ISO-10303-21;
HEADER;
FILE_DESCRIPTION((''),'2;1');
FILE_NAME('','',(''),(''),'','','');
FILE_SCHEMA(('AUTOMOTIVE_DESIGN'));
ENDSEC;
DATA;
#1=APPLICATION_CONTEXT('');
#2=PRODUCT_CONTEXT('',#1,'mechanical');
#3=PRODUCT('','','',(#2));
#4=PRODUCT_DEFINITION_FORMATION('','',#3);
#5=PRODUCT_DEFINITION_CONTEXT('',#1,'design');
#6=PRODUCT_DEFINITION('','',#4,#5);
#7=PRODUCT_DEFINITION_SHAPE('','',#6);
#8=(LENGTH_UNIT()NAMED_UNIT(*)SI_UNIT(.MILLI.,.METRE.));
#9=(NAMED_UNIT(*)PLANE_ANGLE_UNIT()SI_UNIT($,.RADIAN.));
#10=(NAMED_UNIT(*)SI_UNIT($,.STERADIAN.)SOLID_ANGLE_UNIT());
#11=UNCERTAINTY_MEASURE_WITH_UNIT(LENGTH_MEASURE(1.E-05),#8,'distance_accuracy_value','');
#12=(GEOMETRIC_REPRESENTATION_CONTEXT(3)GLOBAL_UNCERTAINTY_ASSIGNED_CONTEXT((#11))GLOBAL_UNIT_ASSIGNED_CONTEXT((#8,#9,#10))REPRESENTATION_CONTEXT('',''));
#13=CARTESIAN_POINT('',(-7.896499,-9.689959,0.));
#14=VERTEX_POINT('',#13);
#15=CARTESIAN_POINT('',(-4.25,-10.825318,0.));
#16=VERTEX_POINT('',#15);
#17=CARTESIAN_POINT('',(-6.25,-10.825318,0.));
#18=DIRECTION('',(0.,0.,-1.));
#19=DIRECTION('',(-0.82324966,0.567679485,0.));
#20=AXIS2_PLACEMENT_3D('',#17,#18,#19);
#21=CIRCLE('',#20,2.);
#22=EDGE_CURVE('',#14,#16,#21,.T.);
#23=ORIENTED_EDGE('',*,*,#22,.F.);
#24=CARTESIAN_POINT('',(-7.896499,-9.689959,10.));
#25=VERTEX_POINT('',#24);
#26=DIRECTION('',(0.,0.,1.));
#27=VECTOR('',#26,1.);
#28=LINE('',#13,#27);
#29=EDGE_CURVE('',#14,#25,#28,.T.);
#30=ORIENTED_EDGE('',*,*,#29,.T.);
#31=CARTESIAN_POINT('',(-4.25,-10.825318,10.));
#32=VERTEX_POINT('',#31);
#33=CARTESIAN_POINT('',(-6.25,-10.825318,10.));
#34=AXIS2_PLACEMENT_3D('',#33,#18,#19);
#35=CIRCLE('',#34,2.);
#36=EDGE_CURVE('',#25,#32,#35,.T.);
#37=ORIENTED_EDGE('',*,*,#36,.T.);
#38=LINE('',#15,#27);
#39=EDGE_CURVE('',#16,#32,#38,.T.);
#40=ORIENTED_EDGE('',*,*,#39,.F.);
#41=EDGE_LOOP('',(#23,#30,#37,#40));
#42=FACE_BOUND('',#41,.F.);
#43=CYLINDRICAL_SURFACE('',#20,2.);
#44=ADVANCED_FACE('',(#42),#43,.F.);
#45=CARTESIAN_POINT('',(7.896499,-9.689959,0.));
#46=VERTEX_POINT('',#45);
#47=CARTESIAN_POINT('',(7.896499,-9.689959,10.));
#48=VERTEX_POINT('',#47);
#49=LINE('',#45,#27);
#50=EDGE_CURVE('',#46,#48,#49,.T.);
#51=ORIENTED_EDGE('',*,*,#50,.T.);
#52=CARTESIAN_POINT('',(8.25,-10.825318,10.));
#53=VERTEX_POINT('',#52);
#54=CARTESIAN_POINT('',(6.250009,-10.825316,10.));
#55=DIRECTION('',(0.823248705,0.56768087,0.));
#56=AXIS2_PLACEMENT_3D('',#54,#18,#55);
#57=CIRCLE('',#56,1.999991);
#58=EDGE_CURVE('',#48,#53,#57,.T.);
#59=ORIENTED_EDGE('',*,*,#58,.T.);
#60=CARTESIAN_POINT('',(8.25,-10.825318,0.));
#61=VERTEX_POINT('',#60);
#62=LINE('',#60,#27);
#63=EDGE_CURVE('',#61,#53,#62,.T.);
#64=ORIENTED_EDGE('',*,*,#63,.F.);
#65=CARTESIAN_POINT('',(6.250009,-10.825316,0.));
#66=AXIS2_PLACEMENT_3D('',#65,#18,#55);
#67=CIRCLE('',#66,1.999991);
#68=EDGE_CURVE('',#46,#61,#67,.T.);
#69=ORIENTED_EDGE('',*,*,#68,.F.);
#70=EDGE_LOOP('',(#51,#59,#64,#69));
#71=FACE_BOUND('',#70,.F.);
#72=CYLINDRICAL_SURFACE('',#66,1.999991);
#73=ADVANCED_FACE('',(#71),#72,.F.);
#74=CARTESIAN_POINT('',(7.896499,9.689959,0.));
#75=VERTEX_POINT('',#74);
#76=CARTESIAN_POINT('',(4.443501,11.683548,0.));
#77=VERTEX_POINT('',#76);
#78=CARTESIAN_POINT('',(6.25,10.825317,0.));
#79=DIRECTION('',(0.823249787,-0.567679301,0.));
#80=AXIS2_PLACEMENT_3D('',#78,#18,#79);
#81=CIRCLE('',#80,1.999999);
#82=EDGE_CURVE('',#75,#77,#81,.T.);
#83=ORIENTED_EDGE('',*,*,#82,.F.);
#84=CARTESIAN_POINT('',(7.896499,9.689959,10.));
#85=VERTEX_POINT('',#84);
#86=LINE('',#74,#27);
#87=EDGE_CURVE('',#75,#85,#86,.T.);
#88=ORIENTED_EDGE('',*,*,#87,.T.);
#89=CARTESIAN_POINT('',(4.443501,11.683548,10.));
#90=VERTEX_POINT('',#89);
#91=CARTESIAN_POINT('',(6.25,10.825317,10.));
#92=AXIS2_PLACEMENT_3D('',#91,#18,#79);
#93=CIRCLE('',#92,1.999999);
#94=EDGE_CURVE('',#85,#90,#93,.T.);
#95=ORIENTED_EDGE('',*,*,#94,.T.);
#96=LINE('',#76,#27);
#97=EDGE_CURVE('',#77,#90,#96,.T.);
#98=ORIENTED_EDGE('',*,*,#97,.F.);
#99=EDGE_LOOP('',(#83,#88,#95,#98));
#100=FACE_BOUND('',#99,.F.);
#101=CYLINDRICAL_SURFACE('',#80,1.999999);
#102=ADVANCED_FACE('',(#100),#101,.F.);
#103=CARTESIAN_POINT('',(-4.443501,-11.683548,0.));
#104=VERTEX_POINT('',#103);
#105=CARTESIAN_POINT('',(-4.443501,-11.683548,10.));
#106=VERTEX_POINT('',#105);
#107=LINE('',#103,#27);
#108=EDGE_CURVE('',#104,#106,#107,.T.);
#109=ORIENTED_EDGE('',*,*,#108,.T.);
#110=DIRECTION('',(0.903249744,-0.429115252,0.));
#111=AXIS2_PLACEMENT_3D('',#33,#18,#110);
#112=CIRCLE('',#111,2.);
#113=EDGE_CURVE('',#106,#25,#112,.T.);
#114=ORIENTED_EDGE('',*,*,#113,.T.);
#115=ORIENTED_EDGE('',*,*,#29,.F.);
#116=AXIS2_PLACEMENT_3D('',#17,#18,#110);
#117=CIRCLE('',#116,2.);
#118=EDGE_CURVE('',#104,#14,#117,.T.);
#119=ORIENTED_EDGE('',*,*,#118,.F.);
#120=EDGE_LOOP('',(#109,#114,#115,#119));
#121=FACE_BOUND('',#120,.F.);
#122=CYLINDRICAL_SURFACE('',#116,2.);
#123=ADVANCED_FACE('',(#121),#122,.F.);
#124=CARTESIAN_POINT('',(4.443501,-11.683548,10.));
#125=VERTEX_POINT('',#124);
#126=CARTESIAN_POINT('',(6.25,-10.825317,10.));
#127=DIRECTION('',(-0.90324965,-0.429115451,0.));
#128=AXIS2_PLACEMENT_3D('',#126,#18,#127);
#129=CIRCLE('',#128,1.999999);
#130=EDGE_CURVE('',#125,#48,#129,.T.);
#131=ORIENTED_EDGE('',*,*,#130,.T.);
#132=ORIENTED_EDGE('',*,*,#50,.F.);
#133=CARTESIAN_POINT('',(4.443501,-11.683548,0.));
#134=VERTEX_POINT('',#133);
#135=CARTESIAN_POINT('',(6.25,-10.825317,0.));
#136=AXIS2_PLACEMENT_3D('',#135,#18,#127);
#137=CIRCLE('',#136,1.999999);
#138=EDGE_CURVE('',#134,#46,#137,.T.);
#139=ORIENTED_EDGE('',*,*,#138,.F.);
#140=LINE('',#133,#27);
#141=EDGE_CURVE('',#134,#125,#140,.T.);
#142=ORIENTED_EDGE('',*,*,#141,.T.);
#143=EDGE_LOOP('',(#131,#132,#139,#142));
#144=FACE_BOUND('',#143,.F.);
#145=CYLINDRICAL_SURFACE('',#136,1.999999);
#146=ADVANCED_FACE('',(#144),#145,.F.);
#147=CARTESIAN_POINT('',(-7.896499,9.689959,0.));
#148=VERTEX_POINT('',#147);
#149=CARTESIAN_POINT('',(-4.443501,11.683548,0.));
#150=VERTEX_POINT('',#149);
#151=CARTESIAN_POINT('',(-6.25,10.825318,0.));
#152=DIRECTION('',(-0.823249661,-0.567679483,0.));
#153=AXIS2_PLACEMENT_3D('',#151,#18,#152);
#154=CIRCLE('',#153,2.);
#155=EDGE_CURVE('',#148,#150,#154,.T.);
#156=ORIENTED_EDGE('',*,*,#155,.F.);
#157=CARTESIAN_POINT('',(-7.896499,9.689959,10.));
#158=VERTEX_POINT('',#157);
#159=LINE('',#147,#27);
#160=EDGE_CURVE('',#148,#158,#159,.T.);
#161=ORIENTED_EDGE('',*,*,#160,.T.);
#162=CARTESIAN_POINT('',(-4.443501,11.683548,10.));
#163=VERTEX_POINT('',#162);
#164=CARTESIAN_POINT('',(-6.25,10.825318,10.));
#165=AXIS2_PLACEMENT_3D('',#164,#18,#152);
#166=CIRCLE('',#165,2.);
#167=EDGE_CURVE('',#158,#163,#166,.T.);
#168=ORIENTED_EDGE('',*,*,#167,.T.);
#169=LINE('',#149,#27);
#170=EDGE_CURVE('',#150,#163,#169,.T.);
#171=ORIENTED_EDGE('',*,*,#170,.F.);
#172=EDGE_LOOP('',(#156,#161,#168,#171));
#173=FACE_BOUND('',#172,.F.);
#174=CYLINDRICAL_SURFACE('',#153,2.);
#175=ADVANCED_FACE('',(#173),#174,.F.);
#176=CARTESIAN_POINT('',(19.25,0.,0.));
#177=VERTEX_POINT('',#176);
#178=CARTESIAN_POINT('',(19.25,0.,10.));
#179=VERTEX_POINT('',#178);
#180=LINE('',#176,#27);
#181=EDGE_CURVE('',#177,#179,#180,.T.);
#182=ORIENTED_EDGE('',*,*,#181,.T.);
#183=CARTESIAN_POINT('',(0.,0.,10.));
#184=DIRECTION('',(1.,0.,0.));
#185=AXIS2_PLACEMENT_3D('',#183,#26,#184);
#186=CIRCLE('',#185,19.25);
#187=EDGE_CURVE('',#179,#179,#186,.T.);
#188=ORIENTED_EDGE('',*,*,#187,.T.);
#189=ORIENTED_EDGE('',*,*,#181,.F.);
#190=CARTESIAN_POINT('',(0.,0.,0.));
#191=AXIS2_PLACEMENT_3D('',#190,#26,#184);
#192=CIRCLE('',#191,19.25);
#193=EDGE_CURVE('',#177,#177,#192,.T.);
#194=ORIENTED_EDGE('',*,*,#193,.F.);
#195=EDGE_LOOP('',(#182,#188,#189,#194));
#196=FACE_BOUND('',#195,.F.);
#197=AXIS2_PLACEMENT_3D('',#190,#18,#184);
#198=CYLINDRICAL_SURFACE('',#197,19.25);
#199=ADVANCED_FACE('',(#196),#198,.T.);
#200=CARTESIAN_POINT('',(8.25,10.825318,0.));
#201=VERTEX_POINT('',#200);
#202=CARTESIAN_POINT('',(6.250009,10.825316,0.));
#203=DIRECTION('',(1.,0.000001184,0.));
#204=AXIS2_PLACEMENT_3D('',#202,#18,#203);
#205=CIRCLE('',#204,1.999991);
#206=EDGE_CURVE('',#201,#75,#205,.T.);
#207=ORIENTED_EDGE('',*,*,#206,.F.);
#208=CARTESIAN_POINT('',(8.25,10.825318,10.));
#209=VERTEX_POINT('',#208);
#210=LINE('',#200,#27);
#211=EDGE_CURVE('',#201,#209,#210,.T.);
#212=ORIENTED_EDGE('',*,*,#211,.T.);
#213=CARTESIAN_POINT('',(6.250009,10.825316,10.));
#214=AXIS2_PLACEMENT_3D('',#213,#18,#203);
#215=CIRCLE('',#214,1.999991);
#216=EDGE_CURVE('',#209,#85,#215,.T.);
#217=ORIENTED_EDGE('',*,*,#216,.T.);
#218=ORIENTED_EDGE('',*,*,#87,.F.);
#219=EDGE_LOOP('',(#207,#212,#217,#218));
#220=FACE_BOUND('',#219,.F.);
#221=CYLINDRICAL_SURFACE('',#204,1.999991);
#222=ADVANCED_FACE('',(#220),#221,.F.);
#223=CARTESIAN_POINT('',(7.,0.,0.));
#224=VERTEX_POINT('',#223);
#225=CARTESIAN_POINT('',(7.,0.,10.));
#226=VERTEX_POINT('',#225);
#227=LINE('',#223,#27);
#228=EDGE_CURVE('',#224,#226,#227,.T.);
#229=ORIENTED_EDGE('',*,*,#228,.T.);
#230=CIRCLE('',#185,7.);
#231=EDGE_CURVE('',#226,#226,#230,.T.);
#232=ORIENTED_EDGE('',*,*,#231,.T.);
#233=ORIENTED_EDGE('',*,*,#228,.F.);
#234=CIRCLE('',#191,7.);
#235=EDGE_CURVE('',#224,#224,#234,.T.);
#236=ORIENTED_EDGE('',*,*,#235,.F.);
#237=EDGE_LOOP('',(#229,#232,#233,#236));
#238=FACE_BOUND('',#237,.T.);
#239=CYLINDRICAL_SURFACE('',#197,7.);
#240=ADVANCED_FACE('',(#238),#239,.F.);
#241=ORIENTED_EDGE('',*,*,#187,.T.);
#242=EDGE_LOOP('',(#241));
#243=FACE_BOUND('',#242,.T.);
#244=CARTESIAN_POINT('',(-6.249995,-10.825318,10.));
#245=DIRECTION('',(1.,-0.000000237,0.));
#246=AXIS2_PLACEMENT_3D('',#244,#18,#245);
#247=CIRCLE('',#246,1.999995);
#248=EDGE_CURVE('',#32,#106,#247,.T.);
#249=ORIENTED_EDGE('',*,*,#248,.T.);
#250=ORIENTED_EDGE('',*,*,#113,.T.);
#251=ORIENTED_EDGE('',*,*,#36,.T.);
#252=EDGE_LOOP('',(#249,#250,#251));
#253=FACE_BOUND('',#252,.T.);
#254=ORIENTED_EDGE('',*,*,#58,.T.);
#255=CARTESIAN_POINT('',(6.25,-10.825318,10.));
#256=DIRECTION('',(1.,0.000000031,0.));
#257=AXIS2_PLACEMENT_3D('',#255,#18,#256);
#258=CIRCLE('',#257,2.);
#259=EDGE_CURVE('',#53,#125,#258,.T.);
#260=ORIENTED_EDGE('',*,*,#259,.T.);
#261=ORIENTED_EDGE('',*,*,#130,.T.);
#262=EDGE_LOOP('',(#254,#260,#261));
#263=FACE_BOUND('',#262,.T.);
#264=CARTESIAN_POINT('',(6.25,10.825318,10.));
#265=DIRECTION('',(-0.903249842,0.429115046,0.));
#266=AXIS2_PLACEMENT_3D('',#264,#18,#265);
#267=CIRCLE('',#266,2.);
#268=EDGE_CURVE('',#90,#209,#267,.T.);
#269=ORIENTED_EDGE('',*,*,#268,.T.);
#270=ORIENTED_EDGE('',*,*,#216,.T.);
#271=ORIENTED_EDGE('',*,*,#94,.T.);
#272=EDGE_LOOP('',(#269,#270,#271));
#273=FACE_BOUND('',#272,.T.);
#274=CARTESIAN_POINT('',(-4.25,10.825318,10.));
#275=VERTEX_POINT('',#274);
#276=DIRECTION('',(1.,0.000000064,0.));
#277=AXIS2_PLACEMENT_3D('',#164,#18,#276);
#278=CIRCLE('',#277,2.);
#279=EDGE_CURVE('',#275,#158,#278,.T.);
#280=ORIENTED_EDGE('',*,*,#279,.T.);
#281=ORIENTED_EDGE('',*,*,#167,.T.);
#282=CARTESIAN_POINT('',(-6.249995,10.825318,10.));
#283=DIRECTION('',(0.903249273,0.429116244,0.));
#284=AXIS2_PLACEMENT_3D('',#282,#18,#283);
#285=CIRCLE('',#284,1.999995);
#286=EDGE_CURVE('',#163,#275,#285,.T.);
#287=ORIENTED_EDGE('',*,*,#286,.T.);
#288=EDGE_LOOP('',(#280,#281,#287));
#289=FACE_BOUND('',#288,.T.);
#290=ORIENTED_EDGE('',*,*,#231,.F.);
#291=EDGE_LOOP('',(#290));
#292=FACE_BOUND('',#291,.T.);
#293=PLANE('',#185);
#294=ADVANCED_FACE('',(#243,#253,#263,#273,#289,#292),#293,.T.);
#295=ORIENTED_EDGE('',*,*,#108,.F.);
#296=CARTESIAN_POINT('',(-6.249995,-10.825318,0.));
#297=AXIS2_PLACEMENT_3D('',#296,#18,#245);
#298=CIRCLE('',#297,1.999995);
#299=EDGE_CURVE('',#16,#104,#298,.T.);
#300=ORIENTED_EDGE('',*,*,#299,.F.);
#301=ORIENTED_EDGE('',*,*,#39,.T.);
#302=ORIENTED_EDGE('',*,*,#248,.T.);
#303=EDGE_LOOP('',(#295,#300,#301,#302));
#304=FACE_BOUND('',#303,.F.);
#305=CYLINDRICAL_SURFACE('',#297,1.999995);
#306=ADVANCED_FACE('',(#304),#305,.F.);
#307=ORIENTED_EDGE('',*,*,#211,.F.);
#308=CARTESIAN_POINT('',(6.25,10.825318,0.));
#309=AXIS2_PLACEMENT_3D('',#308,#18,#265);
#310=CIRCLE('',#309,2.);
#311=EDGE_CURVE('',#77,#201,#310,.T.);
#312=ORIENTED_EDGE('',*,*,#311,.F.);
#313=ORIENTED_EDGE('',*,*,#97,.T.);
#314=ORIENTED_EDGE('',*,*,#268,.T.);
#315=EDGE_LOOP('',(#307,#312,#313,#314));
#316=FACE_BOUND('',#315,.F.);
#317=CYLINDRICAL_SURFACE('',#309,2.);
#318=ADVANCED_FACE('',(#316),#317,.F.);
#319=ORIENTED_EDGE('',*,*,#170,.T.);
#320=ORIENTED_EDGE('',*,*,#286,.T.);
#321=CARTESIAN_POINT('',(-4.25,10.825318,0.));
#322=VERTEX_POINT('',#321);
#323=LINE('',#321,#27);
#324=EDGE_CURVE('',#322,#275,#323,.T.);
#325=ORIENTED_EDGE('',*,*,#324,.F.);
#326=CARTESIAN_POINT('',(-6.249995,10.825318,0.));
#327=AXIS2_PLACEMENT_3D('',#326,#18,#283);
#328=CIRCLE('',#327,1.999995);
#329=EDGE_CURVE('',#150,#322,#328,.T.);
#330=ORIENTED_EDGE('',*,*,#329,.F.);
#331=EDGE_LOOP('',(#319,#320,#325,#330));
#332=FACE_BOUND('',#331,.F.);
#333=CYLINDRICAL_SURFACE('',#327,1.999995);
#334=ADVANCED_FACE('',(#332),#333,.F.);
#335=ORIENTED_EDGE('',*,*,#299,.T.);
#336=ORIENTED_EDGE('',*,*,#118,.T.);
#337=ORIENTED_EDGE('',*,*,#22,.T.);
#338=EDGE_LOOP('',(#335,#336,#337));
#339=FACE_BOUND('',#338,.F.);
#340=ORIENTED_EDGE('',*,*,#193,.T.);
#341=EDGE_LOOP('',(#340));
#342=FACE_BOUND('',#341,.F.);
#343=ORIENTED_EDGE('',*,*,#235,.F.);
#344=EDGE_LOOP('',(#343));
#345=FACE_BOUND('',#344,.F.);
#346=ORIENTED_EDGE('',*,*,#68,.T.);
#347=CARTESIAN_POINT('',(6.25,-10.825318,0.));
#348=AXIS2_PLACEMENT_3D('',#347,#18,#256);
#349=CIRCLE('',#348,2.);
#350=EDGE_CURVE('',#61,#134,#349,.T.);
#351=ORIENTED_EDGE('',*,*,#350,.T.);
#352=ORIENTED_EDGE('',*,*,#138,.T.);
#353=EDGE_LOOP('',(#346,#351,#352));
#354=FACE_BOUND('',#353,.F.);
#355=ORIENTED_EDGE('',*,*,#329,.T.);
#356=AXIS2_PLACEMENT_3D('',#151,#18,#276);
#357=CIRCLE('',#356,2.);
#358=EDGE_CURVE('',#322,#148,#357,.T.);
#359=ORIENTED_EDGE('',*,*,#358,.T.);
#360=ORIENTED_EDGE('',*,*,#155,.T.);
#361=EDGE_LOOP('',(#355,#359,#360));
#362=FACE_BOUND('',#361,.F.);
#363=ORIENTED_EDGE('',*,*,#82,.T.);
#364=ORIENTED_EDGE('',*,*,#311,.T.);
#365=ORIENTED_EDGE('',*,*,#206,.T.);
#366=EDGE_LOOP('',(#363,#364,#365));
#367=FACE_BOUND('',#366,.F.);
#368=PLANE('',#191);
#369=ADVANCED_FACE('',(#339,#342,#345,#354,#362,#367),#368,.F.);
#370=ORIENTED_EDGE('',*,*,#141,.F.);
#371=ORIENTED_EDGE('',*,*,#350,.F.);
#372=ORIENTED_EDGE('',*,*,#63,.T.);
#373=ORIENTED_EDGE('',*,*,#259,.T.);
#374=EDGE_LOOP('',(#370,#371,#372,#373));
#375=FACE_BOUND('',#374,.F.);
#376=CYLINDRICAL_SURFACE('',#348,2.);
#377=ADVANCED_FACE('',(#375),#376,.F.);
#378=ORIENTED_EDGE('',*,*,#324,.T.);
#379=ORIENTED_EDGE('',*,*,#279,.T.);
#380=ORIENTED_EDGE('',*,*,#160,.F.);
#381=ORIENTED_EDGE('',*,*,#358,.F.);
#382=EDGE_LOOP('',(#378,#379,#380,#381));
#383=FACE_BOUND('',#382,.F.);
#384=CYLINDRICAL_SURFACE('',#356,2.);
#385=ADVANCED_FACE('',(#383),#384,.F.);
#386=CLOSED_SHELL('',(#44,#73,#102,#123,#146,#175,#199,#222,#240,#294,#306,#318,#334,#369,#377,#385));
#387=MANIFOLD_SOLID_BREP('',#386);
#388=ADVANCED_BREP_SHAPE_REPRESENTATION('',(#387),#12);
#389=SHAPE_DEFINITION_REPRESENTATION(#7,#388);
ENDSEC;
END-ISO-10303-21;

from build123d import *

# Parameters (mm, degrees)
F0_R     = 19.25
F0_R_2   = 7
F1_DEPTH = 10


with BuildPart() as f1:
    # F0 (on Top) → F1 (new body)
    with BuildSketch(Plane.XY):
        Circle(F0_R)
        with BuildLine():
            ThreePointArc((7.896499, 9.689959), (11.290621, 5.363942), (12.5, 0))
            ThreePointArc((12.5, 0), (11.290621, -5.363942), (7.896499, -9.689959))
            ThreePointArc((7.896499, -9.689959), (8.159581, -10.230758), (8.25, -10.825318))
            ThreePointArc((8.25, -10.825318), (6.689887, -12.776343), (4.443501, -11.683548))
            ThreePointArc((4.443501, -11.683548), (0, -12.5), (-4.443501, -11.683548))
            ThreePointArc((-4.443501, -11.683548), (-7.25, -12.557368), (-7.896499, -9.689959))
            ThreePointArc((-7.896499, -9.689959), (-12.5, 0), (-7.896499, 9.689959))
            ThreePointArc((-7.896499, 9.689959), (-7.25, 12.557368), (-4.443501, 11.683548))
            ThreePointArc((-4.443501, 11.683548), (0, 12.5), (4.443501, 11.683548))
            ThreePointArc((4.443501, 11.683548), (6.689887, 12.776343), (8.25, 10.825318))
            ThreePointArc((8.25, 10.825318), (8.159581, 10.230758), (7.896499, 9.689959))
        make_face(mode=Mode.SUBTRACT)
        with BuildLine():
            ThreePointArc((7.896499, -9.689959), (11.290621, -5.363942), (12.5, 0))
            ThreePointArc((12.5, 0), (11.290621, 5.363942), (7.896499, 9.689959))
            ThreePointArc((7.896499, 9.689959), (5.25, 9.093267), (4.443501, 11.683548))
            ThreePointArc((4.443501, 11.683548), (0, 12.5), (-4.443501, 11.683548))
            ThreePointArc((-4.443501, 11.683548), (-4.298975, 11.265205), (-4.25, 10.825318))
            ThreePointArc((-4.25, 10.825318), (-5.655441, 8.915737), (-7.896499, 9.689959))
            ThreePointArc((-7.896499, 9.689959), (-12.5, 0), (-7.896499, -9.689959))
            ThreePointArc((-7.896499, -9.689959), (-5.655441, -8.915737), (-4.25, -10.825318))
            ThreePointArc((-4.25, -10.825318), (-4.298975, -11.265205), (-4.443501, -11.683548))
            ThreePointArc((-4.443501, -11.683548), (0, -12.5), (4.443501, -11.683548))
            ThreePointArc((4.443501, -11.683548), (5.25, -9.093267), (7.896499, -9.689959))
        make_face()
        Circle(F0_R_2, mode=Mode.SUBTRACT)
    extrude(amount=F1_DEPTH)


solid = f1.part
